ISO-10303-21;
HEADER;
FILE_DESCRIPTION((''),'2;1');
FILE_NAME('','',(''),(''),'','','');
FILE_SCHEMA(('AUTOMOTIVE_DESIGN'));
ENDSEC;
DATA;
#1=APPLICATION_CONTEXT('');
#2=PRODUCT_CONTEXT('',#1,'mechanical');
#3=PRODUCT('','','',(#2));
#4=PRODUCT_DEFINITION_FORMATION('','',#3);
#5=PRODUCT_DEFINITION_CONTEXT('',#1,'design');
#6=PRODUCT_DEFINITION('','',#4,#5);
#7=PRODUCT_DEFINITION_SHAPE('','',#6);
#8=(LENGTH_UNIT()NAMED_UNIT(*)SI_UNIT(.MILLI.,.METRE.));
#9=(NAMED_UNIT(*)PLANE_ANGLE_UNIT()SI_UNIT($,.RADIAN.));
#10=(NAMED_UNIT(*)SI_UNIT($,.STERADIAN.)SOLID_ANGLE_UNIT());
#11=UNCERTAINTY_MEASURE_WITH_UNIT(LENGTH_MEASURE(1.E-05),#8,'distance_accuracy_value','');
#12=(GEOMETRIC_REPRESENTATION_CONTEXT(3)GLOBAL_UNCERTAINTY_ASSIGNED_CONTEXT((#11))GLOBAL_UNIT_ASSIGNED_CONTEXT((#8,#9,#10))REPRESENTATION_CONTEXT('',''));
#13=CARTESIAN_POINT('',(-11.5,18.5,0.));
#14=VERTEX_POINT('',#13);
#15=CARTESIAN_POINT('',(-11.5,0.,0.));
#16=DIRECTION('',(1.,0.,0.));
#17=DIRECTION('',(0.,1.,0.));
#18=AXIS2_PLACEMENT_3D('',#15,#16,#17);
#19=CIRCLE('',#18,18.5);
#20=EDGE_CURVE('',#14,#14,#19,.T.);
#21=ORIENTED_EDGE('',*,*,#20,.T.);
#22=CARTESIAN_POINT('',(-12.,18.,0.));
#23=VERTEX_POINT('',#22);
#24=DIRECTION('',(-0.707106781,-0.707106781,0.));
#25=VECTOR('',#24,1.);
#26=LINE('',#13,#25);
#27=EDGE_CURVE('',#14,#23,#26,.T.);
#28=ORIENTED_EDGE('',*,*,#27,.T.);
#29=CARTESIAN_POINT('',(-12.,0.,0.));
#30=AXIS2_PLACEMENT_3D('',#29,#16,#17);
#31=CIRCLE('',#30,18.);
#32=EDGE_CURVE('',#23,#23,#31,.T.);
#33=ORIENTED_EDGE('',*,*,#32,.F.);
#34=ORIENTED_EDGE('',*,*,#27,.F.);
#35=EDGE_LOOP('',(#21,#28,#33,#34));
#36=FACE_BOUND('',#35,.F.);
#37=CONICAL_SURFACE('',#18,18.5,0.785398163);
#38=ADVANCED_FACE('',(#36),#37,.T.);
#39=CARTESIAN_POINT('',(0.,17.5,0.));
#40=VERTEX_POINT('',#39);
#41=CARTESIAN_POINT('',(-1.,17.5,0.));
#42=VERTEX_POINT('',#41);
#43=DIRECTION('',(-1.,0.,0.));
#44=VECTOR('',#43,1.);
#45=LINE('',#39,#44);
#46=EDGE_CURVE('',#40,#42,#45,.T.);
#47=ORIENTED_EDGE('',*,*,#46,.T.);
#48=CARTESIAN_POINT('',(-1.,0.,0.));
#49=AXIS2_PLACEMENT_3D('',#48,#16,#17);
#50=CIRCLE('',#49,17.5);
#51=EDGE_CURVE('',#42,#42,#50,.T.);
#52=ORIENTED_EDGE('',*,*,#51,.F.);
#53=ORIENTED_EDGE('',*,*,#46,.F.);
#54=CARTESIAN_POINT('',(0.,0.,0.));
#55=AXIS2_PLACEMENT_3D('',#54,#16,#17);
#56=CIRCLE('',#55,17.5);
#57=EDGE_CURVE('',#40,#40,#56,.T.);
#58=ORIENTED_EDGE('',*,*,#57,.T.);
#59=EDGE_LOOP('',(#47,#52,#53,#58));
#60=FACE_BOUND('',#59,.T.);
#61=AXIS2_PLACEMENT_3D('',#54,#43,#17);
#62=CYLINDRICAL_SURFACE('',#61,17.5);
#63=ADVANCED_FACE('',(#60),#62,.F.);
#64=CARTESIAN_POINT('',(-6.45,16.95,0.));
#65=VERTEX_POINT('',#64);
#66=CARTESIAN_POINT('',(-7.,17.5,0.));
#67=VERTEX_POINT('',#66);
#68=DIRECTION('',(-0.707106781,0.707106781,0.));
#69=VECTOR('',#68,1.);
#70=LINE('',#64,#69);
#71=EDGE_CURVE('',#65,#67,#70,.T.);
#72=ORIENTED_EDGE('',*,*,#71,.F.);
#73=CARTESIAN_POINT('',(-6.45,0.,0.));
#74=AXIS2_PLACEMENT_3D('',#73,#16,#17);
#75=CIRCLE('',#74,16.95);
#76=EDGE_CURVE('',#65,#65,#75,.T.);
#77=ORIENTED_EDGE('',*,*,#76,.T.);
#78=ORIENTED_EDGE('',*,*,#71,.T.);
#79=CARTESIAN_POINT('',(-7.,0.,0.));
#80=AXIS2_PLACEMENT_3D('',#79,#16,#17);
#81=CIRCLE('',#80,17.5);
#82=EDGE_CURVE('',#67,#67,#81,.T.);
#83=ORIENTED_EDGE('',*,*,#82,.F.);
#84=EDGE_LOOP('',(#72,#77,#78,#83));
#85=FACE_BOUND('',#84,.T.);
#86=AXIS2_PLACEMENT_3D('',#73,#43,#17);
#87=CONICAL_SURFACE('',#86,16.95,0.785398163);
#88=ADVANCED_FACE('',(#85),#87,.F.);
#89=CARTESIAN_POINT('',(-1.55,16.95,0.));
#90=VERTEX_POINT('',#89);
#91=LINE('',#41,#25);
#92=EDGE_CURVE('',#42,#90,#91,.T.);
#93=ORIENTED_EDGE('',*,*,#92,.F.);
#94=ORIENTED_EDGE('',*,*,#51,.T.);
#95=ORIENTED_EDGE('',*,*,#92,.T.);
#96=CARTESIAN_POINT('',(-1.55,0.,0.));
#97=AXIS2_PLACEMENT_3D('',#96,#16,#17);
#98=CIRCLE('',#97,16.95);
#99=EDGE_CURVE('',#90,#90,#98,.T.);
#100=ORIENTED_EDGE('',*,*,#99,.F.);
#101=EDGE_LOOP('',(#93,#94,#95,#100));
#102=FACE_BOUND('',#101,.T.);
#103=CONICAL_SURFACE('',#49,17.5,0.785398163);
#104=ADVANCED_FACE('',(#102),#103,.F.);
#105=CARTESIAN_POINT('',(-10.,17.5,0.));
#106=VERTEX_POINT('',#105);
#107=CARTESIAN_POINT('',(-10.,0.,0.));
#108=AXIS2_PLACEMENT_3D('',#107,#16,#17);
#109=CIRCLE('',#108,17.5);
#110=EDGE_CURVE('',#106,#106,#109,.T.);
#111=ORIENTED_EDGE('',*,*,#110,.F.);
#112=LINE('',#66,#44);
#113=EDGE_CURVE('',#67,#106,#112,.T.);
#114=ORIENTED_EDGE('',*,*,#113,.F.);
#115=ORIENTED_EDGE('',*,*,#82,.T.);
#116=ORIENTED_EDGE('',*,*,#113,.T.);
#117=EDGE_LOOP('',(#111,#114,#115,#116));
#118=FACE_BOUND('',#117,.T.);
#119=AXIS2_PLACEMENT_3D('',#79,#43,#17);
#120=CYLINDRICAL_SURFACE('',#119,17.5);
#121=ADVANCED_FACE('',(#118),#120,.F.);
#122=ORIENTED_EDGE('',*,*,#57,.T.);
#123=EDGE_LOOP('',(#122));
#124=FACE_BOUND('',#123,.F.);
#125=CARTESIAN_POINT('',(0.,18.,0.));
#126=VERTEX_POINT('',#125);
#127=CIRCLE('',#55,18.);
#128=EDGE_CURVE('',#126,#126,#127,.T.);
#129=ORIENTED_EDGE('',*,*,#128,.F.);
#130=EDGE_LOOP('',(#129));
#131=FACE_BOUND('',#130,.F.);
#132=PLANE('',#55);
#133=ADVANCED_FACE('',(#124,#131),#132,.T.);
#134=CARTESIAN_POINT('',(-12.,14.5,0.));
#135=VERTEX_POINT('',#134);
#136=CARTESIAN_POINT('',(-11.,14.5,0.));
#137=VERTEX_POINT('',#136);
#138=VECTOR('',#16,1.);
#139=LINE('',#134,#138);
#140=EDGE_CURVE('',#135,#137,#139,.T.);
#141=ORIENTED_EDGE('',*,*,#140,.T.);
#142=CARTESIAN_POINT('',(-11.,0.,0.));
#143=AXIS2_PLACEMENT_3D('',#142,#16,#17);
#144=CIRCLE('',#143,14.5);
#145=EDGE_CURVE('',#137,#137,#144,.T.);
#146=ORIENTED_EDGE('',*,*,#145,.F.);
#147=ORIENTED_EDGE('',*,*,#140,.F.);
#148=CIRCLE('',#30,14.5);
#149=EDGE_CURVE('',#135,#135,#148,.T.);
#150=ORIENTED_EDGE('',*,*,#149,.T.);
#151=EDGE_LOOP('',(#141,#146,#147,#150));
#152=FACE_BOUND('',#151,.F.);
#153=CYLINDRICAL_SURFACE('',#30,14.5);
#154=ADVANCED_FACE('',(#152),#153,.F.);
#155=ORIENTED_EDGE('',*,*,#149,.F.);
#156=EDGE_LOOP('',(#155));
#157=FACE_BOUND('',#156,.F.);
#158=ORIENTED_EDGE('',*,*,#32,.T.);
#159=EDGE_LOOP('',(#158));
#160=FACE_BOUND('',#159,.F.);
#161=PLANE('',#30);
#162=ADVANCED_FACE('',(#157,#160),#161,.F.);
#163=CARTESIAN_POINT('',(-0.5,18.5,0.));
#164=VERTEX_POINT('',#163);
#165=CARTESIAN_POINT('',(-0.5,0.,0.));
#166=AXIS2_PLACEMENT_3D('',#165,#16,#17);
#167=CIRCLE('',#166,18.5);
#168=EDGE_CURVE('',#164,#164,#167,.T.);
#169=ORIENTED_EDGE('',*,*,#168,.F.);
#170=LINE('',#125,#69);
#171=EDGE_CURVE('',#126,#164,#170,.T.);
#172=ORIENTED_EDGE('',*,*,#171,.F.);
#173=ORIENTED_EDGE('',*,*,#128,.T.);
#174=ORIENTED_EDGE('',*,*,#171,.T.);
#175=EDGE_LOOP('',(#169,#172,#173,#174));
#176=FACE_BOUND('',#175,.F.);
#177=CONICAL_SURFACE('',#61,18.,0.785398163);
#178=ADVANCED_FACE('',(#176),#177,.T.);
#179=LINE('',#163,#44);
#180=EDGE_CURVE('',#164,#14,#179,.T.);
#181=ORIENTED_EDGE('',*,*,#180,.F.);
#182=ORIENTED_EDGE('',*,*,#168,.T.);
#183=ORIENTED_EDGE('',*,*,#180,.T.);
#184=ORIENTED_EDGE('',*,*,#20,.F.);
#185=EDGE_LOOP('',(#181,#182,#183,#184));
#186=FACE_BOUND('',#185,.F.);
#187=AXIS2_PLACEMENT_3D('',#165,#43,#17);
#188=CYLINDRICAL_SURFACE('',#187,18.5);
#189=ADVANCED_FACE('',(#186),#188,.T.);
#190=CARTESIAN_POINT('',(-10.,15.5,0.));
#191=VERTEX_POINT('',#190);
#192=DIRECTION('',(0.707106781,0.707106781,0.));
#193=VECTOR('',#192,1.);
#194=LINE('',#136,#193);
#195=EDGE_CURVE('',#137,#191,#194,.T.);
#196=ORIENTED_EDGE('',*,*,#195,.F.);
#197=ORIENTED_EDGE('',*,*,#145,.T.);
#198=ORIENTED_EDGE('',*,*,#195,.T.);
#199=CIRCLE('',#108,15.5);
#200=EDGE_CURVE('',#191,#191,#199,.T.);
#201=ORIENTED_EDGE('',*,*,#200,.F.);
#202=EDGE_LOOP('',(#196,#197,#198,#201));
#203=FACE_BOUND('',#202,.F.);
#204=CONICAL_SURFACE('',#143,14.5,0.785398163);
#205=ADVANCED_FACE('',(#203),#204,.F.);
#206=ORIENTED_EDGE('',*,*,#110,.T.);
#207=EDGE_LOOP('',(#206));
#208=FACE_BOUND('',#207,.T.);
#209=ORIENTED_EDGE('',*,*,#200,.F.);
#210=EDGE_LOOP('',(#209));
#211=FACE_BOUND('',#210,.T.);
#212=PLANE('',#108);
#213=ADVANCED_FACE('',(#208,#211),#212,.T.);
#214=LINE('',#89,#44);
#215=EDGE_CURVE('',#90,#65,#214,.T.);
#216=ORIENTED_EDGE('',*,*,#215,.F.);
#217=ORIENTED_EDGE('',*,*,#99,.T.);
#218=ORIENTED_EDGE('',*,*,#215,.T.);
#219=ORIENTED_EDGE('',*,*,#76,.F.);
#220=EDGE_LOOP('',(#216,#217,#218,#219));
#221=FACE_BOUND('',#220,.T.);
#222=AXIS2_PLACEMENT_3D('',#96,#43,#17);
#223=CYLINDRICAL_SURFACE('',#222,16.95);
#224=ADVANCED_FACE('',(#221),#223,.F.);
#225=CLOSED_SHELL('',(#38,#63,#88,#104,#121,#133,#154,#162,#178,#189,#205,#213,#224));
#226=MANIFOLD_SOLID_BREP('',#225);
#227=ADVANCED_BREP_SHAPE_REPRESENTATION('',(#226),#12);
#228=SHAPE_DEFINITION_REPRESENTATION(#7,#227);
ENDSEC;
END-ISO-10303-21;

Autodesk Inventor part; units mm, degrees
ref_plane "YZ Plane" through (0, 0, 0) normal (1, 0, 0) x (0, 1, 0)
ref_plane "XZ Plane" through (0, 0, 0) normal (0, 1, 0) x (-1, 0, 0)
ref_plane "XY Plane" through (0, 0, 0) normal (0, 0, 1) x (1, 0, 0)
sketch "Skizze1" plane through (0, 0, 0) normal (0, 0, 1) x (1, 0, 0)
  line L0 (-14.4, 0) -> (2.4, 0) projected
  line L1 (0, -3.7) -> (0, 22.2) projected
  line L2 (0, 17.5) -> (-1, 17.5)
  line L3 (-1, 17.5) -> (-1.55, 16.95)
  line L4 (-1.55, 16.95) -> (-6.45, 16.95)
  line L5 (-6.45, 16.95) -> (-7, 17.5)
  line L6 (-7, 17.5) -> (-10, 17.5)
  line L7 (-10, 17.5) -> (-10, 15.5)
  line L8 (-0.5, 18.5) -> (-11.5, 18.5)
  line L9 (-12, 18) -> (-12, 14.5)
  line L10 (-12, 14.5) -> (-11, 14.5)
  line L11 (-11, 14.5) -> (-10, 15.5)
  line L12 (-11.5, 18.5) -> (-12, 18)
  line L13 (0, 18) -> (0, 17.5)
  line L14 (0, 18) -> (-0.5, 18.5)
  point P0 (0, 0)
  point P1 (0, 18.5)
  point P2 (-12, 18.5)
  dimension "d0" = 33.9
  dimension "d1" = 35
  dimension "d2" = 45
  dimension "d3" = 45
  dimension "d4" = 1
  dimension "d5" = 10
  dimension "d6" = 3
  dimension "d7" = 12
  dimension "d9" = 29
  dimension "d10" = 1
  dimension "d11" = 0.5
  dimension "d12" = 0.5
  dimension "d13" = 0.5
  dimension "d14" = 0.5
  dimension "d25" = 31
  dimension "d26" = 1
revolve "Umdrehung1" add sketch "Skizze1" angle 360 about axis through (-10, 0, 0) along (1, 0, 0)
thread "Gewinde1" size "M35x1.5" class "6H" standard "ANSI Metric M Profile" full length
equation "\"d12\" = d11"
equation "\"d14\" = d13"
properties part number "13_0204_038"
